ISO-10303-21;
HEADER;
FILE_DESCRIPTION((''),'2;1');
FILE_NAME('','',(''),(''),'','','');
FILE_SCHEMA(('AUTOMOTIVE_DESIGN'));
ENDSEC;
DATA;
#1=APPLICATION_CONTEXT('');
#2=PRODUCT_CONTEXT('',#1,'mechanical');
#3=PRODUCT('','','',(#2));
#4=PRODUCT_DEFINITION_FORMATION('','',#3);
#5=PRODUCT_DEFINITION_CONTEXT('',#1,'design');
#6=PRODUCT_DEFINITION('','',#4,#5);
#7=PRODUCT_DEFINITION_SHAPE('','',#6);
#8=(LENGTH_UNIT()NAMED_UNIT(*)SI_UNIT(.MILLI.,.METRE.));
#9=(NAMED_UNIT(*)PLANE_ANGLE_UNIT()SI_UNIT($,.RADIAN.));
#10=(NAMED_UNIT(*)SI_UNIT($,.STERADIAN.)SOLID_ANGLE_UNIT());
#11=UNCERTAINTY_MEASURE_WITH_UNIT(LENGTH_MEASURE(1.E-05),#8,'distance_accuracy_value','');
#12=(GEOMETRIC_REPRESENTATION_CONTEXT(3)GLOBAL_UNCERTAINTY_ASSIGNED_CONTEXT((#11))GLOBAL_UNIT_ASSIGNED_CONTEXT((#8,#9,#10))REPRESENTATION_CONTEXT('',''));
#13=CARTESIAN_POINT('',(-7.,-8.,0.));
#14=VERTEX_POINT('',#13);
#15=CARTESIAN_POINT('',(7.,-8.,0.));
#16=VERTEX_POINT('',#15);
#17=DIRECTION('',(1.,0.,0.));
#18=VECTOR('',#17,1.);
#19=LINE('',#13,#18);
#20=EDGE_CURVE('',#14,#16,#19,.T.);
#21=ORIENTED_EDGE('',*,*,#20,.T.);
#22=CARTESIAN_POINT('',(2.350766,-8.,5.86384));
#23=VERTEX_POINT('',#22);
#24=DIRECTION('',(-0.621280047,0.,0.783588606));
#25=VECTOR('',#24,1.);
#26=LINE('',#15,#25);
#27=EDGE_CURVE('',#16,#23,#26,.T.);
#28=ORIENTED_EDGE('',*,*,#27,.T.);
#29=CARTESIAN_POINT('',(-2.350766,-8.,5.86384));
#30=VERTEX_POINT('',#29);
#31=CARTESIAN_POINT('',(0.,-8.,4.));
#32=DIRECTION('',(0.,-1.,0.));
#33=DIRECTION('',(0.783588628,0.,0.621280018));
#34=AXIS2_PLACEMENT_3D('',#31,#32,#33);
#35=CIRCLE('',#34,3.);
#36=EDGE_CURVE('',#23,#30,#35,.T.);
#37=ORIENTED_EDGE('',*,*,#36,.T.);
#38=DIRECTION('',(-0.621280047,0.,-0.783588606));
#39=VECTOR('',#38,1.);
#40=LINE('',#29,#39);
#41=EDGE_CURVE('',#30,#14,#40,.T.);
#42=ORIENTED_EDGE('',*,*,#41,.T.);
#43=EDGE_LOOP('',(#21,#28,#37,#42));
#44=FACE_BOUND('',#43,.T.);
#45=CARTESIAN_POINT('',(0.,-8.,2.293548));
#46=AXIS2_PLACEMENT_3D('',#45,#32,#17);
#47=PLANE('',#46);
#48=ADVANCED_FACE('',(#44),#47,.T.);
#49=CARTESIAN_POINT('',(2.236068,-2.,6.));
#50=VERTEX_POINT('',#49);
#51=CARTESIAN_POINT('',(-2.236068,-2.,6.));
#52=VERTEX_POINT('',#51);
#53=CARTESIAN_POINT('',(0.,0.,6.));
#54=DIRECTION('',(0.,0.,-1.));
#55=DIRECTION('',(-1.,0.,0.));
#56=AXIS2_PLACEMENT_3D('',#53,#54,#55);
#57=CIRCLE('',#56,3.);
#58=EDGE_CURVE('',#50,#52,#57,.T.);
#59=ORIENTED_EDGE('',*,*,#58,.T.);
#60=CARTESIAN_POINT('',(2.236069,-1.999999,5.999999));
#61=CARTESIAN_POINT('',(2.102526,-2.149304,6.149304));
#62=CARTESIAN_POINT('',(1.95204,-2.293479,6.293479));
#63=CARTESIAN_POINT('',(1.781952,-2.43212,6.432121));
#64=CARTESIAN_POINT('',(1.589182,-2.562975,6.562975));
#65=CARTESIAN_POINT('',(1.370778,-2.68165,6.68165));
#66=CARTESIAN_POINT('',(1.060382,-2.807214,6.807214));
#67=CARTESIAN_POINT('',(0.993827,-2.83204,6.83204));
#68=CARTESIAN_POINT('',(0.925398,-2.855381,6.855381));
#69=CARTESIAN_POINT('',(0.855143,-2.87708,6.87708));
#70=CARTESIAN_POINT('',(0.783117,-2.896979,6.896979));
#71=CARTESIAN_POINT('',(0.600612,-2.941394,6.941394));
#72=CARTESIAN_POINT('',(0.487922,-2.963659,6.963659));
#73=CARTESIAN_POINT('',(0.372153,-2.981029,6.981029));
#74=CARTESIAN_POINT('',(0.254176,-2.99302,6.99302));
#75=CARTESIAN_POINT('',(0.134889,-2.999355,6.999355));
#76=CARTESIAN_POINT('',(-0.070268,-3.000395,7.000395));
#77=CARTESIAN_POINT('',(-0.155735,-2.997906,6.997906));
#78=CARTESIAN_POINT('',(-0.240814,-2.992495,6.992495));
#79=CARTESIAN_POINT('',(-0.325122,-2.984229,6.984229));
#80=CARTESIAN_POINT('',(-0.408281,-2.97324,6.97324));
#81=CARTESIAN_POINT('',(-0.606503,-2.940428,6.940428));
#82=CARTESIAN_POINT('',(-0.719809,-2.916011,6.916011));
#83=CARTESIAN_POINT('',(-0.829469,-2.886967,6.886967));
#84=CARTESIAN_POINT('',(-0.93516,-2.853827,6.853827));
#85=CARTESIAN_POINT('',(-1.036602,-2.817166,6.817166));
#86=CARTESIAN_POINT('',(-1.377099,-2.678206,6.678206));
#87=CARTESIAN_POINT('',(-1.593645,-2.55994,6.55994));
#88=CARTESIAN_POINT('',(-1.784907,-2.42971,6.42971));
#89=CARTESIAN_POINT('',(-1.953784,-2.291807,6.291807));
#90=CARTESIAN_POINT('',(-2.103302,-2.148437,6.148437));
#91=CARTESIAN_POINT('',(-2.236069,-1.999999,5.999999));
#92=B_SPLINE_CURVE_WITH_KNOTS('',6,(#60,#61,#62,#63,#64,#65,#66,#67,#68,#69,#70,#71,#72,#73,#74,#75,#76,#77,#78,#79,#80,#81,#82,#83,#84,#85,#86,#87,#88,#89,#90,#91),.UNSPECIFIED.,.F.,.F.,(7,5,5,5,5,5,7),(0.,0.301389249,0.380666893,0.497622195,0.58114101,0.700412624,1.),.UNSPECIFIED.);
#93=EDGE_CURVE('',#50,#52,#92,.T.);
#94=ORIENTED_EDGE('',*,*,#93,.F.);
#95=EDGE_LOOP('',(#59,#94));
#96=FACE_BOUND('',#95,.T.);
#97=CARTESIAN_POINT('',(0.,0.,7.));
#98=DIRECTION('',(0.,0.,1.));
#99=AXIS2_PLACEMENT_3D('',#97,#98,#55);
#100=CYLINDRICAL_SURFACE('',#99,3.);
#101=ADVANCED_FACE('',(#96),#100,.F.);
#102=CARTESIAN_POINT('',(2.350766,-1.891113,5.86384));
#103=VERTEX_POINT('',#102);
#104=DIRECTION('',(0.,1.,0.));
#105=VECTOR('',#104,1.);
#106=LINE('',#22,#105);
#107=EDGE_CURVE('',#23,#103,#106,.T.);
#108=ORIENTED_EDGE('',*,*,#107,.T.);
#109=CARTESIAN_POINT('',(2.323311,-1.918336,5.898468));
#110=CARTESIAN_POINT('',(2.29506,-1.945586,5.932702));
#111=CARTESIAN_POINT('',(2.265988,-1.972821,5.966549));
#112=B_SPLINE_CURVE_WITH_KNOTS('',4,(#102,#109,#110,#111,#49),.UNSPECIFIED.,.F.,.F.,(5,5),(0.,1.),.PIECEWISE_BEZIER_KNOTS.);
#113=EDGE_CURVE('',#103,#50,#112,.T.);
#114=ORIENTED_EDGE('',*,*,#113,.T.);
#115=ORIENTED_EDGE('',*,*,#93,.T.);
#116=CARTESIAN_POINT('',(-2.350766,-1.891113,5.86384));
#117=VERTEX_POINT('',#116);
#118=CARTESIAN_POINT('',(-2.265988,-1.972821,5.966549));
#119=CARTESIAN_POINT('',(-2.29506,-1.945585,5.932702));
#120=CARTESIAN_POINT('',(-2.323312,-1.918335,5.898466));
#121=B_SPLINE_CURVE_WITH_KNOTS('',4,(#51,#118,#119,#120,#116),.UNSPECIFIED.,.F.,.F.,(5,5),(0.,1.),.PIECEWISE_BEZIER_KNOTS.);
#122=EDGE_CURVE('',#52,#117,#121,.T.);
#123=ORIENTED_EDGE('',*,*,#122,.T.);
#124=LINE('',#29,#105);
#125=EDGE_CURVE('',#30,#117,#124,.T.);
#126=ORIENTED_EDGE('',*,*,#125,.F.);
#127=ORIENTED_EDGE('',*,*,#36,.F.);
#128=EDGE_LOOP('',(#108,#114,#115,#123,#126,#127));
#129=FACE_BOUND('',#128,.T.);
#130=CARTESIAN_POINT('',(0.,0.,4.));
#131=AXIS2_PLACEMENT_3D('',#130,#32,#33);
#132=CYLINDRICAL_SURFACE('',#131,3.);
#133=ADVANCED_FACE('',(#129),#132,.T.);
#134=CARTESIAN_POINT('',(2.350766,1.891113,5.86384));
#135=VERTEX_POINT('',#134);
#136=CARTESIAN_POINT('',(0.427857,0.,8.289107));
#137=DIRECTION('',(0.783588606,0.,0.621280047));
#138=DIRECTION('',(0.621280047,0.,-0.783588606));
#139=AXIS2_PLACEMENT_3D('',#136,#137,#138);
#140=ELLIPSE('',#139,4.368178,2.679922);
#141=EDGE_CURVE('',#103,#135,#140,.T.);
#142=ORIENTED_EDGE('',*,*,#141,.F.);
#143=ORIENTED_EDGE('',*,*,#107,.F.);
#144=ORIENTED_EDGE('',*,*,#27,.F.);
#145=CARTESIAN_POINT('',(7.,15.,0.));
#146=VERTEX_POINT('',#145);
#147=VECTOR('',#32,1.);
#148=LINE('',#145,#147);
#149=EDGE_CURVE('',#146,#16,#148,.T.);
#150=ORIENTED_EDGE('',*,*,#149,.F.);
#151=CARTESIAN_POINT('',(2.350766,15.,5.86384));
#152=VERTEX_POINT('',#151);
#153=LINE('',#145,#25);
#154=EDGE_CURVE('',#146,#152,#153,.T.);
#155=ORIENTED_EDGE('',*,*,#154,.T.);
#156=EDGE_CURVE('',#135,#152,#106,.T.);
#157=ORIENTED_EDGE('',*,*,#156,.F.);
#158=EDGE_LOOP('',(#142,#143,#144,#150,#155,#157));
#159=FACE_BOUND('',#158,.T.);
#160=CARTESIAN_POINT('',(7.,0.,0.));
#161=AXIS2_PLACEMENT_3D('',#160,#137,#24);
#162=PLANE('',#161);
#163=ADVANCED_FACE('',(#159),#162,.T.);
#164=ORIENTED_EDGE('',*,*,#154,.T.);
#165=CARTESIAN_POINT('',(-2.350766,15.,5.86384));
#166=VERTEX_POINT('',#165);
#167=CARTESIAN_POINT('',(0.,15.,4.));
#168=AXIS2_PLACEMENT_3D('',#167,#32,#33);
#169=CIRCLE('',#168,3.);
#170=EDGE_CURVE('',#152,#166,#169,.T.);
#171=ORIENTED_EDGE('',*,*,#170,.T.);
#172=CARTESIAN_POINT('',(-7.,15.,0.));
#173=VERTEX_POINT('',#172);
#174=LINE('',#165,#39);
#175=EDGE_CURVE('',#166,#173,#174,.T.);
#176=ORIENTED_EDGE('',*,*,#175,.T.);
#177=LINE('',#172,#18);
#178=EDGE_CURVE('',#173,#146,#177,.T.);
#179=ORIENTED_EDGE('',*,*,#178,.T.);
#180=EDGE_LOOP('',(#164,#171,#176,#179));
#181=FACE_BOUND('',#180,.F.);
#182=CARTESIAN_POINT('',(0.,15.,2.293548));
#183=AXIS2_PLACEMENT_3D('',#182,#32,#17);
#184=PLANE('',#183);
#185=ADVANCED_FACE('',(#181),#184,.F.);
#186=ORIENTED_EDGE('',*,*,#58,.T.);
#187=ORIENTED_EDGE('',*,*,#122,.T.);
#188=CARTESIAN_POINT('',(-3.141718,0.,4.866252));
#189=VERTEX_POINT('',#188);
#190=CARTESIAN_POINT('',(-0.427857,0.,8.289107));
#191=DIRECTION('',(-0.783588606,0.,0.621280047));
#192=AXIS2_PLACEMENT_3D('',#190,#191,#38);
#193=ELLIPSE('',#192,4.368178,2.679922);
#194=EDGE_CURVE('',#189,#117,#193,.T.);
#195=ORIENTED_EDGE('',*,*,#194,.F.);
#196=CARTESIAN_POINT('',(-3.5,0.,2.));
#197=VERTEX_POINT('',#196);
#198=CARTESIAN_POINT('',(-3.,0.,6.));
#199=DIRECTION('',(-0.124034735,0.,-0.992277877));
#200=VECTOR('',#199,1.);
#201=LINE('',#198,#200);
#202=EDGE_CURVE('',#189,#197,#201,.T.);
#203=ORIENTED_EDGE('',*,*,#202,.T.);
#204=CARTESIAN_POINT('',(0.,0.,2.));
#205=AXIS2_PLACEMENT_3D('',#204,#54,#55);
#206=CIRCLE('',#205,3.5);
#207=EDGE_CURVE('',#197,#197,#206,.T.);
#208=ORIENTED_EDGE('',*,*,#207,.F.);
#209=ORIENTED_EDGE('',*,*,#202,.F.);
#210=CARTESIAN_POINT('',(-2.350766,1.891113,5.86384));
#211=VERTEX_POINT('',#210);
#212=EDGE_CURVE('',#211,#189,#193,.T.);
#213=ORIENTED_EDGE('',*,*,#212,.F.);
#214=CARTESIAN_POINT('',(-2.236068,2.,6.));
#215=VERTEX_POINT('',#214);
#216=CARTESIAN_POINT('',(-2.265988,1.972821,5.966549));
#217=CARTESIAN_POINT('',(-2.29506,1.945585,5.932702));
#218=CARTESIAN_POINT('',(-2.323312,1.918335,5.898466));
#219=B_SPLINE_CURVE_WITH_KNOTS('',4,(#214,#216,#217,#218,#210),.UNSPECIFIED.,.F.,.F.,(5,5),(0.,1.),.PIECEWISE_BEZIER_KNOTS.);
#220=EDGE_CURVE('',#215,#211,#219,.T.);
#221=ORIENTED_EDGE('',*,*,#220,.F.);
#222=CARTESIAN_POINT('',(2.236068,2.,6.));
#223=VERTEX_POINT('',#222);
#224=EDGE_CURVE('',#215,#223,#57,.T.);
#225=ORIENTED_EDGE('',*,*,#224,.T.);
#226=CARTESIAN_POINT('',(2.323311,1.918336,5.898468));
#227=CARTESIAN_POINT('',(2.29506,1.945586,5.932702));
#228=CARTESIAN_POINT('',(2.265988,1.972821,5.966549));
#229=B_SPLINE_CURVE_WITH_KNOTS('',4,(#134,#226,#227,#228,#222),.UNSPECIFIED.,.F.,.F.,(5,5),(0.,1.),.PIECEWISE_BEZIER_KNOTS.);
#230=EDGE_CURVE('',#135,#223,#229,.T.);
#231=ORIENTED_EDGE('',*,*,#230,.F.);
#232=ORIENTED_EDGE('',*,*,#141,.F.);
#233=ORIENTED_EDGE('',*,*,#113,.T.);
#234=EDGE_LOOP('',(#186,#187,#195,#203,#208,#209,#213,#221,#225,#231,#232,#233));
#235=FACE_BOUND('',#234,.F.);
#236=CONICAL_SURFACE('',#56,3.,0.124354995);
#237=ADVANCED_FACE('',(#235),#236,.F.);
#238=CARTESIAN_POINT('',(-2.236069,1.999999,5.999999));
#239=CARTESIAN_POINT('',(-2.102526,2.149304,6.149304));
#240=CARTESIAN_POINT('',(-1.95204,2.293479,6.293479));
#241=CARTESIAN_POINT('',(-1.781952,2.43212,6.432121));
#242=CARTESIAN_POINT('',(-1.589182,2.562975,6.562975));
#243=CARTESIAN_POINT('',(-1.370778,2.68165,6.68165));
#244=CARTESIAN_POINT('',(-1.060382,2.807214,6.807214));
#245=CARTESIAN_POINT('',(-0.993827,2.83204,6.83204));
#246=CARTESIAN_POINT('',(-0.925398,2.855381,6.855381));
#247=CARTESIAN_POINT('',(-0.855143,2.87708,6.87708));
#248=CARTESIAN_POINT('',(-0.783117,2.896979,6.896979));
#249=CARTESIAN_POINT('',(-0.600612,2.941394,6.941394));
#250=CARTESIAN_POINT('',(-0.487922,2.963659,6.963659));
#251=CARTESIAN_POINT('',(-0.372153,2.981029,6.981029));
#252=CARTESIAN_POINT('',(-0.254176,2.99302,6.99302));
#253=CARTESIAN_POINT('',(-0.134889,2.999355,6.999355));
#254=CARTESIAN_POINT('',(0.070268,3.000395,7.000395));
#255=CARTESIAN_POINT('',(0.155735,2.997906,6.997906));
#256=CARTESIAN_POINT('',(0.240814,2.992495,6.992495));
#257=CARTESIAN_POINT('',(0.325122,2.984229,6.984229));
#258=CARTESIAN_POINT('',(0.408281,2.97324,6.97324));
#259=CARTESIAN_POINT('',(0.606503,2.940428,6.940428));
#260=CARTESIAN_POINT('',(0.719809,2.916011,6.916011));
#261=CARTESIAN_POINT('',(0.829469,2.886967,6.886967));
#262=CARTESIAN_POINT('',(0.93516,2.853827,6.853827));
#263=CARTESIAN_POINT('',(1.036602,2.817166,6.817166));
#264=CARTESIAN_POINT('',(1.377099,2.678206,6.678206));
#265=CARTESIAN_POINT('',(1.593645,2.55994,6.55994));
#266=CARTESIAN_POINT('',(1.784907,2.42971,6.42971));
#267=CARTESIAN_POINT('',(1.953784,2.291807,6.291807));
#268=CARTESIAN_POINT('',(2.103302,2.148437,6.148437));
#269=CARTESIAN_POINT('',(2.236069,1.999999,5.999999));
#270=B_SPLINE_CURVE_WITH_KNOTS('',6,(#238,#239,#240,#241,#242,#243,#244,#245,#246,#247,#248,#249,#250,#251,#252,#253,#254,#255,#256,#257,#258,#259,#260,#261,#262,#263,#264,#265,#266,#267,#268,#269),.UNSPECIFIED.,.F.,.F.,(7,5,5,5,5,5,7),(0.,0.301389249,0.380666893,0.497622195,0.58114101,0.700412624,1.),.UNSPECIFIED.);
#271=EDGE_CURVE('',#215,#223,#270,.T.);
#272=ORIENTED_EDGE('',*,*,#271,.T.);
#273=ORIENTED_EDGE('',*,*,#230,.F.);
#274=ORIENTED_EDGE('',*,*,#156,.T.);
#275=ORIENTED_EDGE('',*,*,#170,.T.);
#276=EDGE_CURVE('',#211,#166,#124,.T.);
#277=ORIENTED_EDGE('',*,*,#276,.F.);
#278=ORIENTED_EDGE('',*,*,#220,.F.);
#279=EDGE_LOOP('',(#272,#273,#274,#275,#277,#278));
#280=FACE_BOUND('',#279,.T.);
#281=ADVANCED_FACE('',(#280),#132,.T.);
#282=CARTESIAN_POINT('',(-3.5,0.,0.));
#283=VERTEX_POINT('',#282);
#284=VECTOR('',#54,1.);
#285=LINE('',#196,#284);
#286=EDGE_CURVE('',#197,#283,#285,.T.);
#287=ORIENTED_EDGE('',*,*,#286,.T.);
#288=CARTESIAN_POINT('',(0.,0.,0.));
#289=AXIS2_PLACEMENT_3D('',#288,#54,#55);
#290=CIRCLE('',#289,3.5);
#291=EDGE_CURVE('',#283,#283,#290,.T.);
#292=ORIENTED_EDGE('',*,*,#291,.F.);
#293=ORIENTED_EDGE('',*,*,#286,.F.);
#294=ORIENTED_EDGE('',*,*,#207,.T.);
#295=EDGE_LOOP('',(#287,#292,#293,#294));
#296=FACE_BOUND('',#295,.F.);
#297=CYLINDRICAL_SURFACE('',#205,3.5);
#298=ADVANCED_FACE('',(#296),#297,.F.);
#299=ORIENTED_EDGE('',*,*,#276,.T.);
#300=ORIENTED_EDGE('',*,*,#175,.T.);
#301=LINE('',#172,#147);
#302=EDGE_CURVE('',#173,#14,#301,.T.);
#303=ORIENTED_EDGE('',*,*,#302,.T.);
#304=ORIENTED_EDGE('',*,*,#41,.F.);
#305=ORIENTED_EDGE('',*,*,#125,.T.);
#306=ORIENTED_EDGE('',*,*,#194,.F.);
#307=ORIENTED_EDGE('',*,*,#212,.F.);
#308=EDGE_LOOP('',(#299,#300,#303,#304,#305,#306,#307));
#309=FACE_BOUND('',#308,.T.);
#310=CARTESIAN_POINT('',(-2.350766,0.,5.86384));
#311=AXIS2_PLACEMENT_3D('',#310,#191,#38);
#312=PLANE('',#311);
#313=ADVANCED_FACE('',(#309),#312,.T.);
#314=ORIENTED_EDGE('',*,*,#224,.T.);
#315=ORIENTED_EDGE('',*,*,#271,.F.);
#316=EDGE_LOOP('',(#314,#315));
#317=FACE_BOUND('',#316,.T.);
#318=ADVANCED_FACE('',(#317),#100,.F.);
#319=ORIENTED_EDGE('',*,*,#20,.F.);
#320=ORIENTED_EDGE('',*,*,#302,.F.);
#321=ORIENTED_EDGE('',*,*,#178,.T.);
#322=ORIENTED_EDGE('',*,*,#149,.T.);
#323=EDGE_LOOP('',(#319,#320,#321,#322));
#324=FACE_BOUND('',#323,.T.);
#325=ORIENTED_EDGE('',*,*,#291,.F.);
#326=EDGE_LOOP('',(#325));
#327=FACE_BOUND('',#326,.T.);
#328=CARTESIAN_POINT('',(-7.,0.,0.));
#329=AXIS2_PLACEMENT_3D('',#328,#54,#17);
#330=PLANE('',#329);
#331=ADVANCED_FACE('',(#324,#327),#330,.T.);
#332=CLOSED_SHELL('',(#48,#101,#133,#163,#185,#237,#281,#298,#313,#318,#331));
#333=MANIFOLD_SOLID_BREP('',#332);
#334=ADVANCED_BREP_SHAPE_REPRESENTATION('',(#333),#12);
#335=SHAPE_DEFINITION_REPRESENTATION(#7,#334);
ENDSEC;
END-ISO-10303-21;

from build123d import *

# Parameters (mm, degrees)
F1_DEPTH      = 8
F1_DEPTH_BACK = 15
F2_W          = 3
F2_H          = 2


with BuildPart() as f1:
    # F0 (on Front) → F1 (new body, two sides)
    with BuildSketch(Plane.XZ) as f1_sk:
        with BuildLine():
            Line((-2.350766, 5.86384), (-7, 0))
            Line((-7, 0), (7, 0))
            Line((7, 0), (2.350766, 5.86384))
            ThreePointArc((2.350766, 5.86384), (0, 7), (-2.350766, 5.86384))
        make_face()
    extrude(amount=F1_DEPTH)
    extrude(f1_sk.sketch, amount=-F1_DEPTH_BACK)

    # F2 (on Front) → F3 (revolve, cut)
    with BuildSketch(Plane.XZ):
        Polygon((-3, 6), (-3.5, 2), (-3.5, 0), (0, 0), (0, 6), align=None)
        with Locations((-1.5, 7)):
            Rectangle(F2_W, F2_H)
    revolve(axis=Axis((0, 0, 4.448359), (0, 0, -1)), mode=Mode.SUBTRACT)


solid = f1.part
